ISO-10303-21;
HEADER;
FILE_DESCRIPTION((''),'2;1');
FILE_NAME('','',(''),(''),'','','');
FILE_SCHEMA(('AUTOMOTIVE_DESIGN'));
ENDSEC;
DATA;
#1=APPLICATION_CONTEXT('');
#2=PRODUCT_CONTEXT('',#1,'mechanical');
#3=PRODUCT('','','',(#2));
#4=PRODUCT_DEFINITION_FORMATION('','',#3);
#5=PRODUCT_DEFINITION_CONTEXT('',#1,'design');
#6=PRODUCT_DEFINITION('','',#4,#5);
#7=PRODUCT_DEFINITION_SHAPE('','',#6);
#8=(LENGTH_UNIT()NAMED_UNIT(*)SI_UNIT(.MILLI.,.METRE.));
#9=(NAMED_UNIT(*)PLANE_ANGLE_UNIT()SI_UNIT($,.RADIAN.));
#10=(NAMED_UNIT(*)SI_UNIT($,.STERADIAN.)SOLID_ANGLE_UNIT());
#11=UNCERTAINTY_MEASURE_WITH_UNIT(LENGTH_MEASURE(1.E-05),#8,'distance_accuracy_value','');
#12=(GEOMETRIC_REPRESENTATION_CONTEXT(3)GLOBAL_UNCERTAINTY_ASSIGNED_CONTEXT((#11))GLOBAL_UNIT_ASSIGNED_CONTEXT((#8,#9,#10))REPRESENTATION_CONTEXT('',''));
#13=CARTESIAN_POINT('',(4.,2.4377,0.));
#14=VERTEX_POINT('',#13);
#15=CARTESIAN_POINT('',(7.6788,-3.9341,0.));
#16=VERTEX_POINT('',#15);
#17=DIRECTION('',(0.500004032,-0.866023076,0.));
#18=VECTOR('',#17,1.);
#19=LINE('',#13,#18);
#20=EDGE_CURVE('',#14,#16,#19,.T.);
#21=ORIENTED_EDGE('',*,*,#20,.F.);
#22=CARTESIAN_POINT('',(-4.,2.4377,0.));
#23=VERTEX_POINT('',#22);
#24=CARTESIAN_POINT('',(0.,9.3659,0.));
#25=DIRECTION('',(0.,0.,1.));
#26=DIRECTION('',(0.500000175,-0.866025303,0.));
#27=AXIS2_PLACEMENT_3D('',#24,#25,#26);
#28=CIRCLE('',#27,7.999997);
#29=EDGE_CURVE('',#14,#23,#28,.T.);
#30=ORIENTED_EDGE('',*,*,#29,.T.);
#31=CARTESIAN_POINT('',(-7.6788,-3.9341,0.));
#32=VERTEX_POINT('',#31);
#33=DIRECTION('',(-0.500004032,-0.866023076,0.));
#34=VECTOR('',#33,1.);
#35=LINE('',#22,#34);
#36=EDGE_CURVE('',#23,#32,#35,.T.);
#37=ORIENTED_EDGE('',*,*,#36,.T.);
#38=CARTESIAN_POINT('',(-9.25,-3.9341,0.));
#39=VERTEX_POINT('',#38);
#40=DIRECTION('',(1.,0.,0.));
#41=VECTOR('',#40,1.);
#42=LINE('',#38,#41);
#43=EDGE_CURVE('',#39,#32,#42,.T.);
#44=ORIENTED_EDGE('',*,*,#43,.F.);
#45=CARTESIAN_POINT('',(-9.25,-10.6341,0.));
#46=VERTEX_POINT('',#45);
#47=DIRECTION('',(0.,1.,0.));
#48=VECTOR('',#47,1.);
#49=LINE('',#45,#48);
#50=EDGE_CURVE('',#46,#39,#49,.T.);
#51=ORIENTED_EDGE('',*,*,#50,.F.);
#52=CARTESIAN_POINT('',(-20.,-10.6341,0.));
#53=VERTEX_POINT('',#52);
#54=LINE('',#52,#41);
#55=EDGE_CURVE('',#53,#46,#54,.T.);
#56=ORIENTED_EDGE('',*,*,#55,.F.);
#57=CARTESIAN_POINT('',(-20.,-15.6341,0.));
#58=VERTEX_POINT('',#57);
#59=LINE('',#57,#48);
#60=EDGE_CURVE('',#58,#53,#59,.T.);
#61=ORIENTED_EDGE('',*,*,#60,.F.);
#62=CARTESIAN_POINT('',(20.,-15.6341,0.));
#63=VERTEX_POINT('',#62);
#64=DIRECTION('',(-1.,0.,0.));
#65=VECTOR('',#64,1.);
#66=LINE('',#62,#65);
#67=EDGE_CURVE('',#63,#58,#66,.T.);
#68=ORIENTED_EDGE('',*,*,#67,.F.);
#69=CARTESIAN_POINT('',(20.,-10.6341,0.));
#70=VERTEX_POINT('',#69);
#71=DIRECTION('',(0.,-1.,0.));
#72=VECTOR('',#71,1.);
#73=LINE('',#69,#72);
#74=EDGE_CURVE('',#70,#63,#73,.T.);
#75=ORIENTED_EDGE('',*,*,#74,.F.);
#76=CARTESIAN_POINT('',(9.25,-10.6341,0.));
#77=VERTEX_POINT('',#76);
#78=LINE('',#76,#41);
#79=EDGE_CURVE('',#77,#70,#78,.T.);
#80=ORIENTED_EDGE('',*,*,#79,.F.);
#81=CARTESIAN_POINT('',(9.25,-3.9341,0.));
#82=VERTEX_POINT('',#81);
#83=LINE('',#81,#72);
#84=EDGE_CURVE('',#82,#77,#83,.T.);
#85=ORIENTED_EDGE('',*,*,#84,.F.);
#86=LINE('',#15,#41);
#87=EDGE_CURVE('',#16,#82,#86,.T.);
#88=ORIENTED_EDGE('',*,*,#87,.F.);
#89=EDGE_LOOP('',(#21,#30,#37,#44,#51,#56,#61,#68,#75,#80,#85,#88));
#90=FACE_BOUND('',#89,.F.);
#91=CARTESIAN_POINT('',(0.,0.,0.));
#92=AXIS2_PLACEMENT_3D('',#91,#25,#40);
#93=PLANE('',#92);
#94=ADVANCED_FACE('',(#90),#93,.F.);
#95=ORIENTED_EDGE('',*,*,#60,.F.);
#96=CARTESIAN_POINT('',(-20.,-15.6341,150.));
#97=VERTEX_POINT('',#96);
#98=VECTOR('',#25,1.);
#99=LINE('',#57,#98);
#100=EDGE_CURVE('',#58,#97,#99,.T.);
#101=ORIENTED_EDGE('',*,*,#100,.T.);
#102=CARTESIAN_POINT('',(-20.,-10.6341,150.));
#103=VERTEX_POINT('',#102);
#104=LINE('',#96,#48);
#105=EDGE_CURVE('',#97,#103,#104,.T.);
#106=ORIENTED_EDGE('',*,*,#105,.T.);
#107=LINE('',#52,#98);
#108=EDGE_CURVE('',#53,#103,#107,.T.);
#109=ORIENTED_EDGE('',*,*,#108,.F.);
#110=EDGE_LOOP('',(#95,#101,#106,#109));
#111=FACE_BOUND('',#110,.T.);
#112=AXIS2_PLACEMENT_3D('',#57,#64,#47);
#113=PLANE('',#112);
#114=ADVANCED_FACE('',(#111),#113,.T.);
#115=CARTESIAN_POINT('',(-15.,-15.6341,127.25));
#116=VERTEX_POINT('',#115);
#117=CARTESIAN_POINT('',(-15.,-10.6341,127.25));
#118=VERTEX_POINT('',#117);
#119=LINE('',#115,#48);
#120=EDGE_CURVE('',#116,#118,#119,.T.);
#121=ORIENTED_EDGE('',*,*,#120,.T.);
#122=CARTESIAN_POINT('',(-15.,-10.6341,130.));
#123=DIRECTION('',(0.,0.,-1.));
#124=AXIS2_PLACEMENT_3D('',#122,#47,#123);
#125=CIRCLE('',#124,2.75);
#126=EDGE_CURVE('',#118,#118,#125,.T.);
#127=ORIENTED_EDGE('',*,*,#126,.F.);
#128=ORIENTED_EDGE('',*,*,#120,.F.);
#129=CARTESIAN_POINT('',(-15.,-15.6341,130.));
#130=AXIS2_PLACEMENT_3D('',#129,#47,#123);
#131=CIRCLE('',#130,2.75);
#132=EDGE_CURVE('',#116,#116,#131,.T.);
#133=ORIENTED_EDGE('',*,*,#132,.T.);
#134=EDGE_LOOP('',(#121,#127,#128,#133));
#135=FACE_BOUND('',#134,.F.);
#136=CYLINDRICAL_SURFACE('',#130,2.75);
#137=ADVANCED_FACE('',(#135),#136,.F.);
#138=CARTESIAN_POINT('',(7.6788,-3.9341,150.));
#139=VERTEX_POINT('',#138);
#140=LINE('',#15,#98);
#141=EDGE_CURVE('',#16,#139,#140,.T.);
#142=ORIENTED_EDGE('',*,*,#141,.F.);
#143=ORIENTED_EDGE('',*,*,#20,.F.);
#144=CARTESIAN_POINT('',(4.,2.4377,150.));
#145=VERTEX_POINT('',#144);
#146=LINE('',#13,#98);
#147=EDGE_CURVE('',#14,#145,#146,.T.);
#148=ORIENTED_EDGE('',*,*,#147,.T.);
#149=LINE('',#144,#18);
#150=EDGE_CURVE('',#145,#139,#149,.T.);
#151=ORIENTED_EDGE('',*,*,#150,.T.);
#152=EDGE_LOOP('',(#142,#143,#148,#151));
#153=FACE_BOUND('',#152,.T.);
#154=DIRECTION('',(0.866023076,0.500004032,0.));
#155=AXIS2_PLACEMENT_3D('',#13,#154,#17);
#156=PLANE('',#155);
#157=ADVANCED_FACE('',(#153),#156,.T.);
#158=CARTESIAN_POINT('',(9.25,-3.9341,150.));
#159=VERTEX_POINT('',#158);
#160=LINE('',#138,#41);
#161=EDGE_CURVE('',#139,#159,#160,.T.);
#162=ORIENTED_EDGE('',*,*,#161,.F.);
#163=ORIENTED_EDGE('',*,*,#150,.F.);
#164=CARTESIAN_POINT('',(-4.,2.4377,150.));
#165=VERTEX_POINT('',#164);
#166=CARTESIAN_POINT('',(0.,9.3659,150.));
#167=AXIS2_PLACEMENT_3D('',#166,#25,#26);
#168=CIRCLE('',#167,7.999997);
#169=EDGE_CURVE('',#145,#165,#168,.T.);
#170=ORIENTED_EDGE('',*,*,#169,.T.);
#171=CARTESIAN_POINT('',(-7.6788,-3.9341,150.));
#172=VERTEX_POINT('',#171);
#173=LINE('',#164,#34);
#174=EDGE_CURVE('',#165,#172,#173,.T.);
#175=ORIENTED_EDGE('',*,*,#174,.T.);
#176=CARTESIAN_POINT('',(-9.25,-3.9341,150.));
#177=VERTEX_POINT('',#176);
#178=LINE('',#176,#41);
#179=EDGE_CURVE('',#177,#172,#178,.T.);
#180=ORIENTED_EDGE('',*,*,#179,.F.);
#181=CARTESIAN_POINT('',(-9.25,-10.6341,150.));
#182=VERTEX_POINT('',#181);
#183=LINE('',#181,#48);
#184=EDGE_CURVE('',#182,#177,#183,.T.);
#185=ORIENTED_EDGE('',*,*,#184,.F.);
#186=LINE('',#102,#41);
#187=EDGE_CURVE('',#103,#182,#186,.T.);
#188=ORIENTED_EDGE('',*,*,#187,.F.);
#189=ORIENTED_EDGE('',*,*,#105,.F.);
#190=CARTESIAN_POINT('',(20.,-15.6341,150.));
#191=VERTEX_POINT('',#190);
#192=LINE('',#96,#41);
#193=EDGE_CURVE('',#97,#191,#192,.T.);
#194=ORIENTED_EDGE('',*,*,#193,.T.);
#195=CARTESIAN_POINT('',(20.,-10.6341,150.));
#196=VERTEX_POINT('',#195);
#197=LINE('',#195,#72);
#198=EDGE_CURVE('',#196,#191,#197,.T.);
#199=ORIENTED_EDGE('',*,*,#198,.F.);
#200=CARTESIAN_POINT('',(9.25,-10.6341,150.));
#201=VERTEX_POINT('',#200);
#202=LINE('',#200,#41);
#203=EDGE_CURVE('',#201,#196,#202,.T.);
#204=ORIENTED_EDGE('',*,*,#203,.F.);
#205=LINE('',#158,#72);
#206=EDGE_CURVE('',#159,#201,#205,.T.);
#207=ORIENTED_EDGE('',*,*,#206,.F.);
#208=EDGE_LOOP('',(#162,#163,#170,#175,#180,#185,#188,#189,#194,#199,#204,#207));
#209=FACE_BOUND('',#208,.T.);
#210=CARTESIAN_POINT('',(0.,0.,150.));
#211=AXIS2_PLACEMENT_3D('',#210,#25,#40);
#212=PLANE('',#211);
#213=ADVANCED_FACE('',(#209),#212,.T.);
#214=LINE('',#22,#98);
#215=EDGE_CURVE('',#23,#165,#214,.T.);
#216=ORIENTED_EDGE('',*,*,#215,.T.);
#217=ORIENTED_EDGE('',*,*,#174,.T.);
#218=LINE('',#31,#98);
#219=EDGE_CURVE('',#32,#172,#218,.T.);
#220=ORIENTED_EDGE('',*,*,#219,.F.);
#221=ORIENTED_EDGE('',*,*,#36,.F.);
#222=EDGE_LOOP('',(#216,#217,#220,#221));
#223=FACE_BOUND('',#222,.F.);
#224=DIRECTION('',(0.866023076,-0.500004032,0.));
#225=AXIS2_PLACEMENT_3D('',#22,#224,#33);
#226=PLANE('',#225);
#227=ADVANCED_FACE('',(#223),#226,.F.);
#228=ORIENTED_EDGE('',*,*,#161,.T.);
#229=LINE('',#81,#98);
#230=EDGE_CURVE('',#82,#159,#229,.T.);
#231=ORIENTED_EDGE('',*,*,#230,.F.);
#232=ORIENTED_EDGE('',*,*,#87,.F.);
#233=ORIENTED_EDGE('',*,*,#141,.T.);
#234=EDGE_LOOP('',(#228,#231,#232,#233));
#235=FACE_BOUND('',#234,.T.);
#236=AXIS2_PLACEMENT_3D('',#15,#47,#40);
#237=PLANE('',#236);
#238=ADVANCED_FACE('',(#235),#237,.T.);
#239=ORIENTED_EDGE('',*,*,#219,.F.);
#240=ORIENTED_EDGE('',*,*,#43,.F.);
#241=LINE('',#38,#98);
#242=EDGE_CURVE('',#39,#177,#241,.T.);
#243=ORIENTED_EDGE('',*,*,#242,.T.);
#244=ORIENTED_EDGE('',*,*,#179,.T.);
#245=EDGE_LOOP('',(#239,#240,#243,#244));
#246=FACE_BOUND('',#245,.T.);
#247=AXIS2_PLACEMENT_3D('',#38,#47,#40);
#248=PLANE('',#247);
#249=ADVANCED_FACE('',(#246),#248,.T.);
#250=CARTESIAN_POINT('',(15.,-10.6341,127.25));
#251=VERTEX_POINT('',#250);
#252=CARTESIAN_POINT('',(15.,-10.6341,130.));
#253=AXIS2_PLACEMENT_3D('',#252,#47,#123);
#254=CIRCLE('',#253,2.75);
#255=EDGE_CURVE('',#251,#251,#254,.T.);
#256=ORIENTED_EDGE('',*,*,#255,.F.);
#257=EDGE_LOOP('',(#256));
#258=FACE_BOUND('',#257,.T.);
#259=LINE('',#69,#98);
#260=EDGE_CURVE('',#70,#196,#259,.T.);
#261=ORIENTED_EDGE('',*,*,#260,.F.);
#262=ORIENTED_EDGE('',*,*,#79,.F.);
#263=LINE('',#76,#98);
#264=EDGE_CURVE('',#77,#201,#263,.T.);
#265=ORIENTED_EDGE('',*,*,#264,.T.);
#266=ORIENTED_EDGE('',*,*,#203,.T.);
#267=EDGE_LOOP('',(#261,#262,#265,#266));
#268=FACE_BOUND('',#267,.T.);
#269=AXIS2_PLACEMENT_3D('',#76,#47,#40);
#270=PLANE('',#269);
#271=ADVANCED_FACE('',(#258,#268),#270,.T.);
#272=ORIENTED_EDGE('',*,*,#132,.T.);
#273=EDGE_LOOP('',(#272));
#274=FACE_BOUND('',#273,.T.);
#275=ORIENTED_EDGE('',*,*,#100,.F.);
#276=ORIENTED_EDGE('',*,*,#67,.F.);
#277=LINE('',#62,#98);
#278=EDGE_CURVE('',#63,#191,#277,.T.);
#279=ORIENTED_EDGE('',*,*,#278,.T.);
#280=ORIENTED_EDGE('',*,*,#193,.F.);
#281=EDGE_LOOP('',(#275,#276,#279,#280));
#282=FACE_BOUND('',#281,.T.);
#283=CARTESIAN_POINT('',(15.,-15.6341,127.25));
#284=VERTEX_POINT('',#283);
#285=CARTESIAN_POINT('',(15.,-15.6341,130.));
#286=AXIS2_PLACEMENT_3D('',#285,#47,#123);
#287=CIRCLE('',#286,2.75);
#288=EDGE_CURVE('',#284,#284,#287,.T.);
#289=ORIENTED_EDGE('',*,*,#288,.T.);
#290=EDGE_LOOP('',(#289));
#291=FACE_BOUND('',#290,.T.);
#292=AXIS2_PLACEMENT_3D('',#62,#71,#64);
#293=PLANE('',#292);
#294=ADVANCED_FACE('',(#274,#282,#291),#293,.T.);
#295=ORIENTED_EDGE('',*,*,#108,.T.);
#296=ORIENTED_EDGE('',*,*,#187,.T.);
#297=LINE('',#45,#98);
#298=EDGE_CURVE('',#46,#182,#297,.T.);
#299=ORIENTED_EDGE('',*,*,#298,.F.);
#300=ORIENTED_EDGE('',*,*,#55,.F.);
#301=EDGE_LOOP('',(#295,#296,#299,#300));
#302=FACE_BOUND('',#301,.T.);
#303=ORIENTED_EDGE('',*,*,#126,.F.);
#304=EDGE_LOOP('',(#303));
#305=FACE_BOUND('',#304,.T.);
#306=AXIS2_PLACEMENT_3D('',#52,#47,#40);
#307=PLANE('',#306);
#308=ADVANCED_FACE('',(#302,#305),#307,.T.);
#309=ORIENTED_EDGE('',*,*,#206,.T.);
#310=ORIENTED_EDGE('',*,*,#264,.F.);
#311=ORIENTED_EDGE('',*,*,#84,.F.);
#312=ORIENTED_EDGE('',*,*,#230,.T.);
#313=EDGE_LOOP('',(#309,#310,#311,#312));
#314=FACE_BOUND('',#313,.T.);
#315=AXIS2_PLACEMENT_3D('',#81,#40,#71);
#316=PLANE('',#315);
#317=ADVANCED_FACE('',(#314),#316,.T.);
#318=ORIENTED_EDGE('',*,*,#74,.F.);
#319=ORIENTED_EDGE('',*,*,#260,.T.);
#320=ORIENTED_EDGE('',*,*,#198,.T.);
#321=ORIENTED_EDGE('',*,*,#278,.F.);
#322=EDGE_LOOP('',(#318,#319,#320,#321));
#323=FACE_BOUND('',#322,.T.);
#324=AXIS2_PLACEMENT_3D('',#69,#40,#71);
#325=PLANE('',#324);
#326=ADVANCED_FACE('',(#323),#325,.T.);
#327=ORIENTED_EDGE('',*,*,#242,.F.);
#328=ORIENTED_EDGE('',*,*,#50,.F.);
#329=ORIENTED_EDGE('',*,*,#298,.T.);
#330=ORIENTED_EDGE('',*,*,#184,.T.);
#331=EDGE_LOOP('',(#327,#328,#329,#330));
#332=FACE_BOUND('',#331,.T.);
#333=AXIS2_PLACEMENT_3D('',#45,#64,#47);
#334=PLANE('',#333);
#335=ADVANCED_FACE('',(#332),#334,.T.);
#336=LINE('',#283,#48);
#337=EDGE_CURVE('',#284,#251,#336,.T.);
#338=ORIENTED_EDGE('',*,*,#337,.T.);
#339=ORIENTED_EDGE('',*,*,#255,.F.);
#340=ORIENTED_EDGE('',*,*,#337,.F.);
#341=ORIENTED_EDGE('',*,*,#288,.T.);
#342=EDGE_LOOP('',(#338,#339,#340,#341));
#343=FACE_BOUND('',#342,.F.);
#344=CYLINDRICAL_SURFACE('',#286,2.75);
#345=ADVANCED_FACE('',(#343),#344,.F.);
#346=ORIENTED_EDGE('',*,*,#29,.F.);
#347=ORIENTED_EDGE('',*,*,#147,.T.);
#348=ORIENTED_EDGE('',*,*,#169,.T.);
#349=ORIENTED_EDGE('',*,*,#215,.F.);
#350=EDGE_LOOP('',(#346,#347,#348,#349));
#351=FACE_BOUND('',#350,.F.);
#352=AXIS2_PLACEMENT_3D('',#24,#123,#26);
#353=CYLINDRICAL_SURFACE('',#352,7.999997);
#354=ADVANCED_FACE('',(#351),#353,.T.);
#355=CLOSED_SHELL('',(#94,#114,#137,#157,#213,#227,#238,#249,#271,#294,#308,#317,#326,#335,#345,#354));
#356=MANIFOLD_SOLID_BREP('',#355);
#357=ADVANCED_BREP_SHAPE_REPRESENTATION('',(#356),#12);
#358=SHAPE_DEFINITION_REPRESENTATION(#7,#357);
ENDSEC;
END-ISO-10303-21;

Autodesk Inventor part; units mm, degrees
ref_plane "YZ Plane" through (0, 0, 0) normal (1, 0, 0) x (0, 1, 0)
ref_plane "XZ Plane" through (0, 0, 0) normal (0, 1, 0) x (-1, 0, 0)
ref_plane "XY Plane" through (0, 0, 0) normal (0, 0, 1) x (1, 0, 0)
sketch "Esboço1" plane through (0, 0, 0) normal (0, 0, 1) x (1, 0, 0)
  arc A0 (4, 2.4377) -> (-4, 2.4377) centre (0, 9.3659) ccw
  line L0 (9.25, -3.9341) -> (9.25, -10.6341)
  line L1 (-9.25, -10.6341) -> (-9.25, -3.9341)
  line L2 (4, -15.6341) -> (-4, -15.6341)
  line L3 (20, -15.6341) -> (-20, -15.6341)
  line L4 (-20, -15.6341) -> (-20, -10.6341)
  line L5 (20, -10.6341) -> (20, -15.6341)
  line L6 (7.6788, -3.9341) -> (9.25, -3.9341)
  line L7 (-9.25, -3.9341) -> (-7.6788, -3.9341)
  line L8 (9.25, -10.6341) -> (20, -10.6341)
  line L9 (-20, -10.6341) -> (-9.25, -10.6341)
  line L10 (-4, 2.4377) -> (-7.6788, -3.9341)
  line L11 (-17.4151, -20.798) -> (-22.4188, -29.4646)
  line L12 (17.4151, -20.798) -> (23.6527, -31.6017)
  line L13 (9.25, -15.6341) -> (4, -15.6341)
  line L14 (0, -15.6341) -> (-9.25, -15.6341)
  line L15 (4, 2.4377) -> (7.6788, -3.9341)
  dimension "d6" = 16
  dimension "d7" = 25
  dimension "d8" = 18.5
  dimension "d9" = 11.7
  dimension "d10" = 8
  dimension "d13" = 5
  dimension "d14" = 40
extrude "Extrusão1" add sketch "Esboço1" along normal blind 150
sketch "Esboço3" plane through (-20, -15.6341, 0) normal (0, -1, 0) x (1, 0, 0)
  line L0 (0, 150) -> (40, 150) construction
  line L1 (20, 150) -> (20, 0) construction
  line L2 (20, 130) -> (5, 130) construction
  line L3 (5, 130) -> (20, 130) construction
  line L4 (20, 130) -> (35, 130) construction
  circle A0 centre (5, 130) radius 2.75
  circle A1 centre (35, 130) radius 2.75
  line L5 (40, 0) -> (0, 0) construction
  dimension "d18" = 15
  dimension "d19" = 15
  dimension "d20" = 5.5
  dimension "d21" = 5.5
  dimension "d22" = 20
hole "Furo1" at (-15, -15.6341, 130) at (15, -15.6341, 130) direction (0, 1, 0) diameter 5.5 depth 8 tip angle 118
properties part number "SBR16"
